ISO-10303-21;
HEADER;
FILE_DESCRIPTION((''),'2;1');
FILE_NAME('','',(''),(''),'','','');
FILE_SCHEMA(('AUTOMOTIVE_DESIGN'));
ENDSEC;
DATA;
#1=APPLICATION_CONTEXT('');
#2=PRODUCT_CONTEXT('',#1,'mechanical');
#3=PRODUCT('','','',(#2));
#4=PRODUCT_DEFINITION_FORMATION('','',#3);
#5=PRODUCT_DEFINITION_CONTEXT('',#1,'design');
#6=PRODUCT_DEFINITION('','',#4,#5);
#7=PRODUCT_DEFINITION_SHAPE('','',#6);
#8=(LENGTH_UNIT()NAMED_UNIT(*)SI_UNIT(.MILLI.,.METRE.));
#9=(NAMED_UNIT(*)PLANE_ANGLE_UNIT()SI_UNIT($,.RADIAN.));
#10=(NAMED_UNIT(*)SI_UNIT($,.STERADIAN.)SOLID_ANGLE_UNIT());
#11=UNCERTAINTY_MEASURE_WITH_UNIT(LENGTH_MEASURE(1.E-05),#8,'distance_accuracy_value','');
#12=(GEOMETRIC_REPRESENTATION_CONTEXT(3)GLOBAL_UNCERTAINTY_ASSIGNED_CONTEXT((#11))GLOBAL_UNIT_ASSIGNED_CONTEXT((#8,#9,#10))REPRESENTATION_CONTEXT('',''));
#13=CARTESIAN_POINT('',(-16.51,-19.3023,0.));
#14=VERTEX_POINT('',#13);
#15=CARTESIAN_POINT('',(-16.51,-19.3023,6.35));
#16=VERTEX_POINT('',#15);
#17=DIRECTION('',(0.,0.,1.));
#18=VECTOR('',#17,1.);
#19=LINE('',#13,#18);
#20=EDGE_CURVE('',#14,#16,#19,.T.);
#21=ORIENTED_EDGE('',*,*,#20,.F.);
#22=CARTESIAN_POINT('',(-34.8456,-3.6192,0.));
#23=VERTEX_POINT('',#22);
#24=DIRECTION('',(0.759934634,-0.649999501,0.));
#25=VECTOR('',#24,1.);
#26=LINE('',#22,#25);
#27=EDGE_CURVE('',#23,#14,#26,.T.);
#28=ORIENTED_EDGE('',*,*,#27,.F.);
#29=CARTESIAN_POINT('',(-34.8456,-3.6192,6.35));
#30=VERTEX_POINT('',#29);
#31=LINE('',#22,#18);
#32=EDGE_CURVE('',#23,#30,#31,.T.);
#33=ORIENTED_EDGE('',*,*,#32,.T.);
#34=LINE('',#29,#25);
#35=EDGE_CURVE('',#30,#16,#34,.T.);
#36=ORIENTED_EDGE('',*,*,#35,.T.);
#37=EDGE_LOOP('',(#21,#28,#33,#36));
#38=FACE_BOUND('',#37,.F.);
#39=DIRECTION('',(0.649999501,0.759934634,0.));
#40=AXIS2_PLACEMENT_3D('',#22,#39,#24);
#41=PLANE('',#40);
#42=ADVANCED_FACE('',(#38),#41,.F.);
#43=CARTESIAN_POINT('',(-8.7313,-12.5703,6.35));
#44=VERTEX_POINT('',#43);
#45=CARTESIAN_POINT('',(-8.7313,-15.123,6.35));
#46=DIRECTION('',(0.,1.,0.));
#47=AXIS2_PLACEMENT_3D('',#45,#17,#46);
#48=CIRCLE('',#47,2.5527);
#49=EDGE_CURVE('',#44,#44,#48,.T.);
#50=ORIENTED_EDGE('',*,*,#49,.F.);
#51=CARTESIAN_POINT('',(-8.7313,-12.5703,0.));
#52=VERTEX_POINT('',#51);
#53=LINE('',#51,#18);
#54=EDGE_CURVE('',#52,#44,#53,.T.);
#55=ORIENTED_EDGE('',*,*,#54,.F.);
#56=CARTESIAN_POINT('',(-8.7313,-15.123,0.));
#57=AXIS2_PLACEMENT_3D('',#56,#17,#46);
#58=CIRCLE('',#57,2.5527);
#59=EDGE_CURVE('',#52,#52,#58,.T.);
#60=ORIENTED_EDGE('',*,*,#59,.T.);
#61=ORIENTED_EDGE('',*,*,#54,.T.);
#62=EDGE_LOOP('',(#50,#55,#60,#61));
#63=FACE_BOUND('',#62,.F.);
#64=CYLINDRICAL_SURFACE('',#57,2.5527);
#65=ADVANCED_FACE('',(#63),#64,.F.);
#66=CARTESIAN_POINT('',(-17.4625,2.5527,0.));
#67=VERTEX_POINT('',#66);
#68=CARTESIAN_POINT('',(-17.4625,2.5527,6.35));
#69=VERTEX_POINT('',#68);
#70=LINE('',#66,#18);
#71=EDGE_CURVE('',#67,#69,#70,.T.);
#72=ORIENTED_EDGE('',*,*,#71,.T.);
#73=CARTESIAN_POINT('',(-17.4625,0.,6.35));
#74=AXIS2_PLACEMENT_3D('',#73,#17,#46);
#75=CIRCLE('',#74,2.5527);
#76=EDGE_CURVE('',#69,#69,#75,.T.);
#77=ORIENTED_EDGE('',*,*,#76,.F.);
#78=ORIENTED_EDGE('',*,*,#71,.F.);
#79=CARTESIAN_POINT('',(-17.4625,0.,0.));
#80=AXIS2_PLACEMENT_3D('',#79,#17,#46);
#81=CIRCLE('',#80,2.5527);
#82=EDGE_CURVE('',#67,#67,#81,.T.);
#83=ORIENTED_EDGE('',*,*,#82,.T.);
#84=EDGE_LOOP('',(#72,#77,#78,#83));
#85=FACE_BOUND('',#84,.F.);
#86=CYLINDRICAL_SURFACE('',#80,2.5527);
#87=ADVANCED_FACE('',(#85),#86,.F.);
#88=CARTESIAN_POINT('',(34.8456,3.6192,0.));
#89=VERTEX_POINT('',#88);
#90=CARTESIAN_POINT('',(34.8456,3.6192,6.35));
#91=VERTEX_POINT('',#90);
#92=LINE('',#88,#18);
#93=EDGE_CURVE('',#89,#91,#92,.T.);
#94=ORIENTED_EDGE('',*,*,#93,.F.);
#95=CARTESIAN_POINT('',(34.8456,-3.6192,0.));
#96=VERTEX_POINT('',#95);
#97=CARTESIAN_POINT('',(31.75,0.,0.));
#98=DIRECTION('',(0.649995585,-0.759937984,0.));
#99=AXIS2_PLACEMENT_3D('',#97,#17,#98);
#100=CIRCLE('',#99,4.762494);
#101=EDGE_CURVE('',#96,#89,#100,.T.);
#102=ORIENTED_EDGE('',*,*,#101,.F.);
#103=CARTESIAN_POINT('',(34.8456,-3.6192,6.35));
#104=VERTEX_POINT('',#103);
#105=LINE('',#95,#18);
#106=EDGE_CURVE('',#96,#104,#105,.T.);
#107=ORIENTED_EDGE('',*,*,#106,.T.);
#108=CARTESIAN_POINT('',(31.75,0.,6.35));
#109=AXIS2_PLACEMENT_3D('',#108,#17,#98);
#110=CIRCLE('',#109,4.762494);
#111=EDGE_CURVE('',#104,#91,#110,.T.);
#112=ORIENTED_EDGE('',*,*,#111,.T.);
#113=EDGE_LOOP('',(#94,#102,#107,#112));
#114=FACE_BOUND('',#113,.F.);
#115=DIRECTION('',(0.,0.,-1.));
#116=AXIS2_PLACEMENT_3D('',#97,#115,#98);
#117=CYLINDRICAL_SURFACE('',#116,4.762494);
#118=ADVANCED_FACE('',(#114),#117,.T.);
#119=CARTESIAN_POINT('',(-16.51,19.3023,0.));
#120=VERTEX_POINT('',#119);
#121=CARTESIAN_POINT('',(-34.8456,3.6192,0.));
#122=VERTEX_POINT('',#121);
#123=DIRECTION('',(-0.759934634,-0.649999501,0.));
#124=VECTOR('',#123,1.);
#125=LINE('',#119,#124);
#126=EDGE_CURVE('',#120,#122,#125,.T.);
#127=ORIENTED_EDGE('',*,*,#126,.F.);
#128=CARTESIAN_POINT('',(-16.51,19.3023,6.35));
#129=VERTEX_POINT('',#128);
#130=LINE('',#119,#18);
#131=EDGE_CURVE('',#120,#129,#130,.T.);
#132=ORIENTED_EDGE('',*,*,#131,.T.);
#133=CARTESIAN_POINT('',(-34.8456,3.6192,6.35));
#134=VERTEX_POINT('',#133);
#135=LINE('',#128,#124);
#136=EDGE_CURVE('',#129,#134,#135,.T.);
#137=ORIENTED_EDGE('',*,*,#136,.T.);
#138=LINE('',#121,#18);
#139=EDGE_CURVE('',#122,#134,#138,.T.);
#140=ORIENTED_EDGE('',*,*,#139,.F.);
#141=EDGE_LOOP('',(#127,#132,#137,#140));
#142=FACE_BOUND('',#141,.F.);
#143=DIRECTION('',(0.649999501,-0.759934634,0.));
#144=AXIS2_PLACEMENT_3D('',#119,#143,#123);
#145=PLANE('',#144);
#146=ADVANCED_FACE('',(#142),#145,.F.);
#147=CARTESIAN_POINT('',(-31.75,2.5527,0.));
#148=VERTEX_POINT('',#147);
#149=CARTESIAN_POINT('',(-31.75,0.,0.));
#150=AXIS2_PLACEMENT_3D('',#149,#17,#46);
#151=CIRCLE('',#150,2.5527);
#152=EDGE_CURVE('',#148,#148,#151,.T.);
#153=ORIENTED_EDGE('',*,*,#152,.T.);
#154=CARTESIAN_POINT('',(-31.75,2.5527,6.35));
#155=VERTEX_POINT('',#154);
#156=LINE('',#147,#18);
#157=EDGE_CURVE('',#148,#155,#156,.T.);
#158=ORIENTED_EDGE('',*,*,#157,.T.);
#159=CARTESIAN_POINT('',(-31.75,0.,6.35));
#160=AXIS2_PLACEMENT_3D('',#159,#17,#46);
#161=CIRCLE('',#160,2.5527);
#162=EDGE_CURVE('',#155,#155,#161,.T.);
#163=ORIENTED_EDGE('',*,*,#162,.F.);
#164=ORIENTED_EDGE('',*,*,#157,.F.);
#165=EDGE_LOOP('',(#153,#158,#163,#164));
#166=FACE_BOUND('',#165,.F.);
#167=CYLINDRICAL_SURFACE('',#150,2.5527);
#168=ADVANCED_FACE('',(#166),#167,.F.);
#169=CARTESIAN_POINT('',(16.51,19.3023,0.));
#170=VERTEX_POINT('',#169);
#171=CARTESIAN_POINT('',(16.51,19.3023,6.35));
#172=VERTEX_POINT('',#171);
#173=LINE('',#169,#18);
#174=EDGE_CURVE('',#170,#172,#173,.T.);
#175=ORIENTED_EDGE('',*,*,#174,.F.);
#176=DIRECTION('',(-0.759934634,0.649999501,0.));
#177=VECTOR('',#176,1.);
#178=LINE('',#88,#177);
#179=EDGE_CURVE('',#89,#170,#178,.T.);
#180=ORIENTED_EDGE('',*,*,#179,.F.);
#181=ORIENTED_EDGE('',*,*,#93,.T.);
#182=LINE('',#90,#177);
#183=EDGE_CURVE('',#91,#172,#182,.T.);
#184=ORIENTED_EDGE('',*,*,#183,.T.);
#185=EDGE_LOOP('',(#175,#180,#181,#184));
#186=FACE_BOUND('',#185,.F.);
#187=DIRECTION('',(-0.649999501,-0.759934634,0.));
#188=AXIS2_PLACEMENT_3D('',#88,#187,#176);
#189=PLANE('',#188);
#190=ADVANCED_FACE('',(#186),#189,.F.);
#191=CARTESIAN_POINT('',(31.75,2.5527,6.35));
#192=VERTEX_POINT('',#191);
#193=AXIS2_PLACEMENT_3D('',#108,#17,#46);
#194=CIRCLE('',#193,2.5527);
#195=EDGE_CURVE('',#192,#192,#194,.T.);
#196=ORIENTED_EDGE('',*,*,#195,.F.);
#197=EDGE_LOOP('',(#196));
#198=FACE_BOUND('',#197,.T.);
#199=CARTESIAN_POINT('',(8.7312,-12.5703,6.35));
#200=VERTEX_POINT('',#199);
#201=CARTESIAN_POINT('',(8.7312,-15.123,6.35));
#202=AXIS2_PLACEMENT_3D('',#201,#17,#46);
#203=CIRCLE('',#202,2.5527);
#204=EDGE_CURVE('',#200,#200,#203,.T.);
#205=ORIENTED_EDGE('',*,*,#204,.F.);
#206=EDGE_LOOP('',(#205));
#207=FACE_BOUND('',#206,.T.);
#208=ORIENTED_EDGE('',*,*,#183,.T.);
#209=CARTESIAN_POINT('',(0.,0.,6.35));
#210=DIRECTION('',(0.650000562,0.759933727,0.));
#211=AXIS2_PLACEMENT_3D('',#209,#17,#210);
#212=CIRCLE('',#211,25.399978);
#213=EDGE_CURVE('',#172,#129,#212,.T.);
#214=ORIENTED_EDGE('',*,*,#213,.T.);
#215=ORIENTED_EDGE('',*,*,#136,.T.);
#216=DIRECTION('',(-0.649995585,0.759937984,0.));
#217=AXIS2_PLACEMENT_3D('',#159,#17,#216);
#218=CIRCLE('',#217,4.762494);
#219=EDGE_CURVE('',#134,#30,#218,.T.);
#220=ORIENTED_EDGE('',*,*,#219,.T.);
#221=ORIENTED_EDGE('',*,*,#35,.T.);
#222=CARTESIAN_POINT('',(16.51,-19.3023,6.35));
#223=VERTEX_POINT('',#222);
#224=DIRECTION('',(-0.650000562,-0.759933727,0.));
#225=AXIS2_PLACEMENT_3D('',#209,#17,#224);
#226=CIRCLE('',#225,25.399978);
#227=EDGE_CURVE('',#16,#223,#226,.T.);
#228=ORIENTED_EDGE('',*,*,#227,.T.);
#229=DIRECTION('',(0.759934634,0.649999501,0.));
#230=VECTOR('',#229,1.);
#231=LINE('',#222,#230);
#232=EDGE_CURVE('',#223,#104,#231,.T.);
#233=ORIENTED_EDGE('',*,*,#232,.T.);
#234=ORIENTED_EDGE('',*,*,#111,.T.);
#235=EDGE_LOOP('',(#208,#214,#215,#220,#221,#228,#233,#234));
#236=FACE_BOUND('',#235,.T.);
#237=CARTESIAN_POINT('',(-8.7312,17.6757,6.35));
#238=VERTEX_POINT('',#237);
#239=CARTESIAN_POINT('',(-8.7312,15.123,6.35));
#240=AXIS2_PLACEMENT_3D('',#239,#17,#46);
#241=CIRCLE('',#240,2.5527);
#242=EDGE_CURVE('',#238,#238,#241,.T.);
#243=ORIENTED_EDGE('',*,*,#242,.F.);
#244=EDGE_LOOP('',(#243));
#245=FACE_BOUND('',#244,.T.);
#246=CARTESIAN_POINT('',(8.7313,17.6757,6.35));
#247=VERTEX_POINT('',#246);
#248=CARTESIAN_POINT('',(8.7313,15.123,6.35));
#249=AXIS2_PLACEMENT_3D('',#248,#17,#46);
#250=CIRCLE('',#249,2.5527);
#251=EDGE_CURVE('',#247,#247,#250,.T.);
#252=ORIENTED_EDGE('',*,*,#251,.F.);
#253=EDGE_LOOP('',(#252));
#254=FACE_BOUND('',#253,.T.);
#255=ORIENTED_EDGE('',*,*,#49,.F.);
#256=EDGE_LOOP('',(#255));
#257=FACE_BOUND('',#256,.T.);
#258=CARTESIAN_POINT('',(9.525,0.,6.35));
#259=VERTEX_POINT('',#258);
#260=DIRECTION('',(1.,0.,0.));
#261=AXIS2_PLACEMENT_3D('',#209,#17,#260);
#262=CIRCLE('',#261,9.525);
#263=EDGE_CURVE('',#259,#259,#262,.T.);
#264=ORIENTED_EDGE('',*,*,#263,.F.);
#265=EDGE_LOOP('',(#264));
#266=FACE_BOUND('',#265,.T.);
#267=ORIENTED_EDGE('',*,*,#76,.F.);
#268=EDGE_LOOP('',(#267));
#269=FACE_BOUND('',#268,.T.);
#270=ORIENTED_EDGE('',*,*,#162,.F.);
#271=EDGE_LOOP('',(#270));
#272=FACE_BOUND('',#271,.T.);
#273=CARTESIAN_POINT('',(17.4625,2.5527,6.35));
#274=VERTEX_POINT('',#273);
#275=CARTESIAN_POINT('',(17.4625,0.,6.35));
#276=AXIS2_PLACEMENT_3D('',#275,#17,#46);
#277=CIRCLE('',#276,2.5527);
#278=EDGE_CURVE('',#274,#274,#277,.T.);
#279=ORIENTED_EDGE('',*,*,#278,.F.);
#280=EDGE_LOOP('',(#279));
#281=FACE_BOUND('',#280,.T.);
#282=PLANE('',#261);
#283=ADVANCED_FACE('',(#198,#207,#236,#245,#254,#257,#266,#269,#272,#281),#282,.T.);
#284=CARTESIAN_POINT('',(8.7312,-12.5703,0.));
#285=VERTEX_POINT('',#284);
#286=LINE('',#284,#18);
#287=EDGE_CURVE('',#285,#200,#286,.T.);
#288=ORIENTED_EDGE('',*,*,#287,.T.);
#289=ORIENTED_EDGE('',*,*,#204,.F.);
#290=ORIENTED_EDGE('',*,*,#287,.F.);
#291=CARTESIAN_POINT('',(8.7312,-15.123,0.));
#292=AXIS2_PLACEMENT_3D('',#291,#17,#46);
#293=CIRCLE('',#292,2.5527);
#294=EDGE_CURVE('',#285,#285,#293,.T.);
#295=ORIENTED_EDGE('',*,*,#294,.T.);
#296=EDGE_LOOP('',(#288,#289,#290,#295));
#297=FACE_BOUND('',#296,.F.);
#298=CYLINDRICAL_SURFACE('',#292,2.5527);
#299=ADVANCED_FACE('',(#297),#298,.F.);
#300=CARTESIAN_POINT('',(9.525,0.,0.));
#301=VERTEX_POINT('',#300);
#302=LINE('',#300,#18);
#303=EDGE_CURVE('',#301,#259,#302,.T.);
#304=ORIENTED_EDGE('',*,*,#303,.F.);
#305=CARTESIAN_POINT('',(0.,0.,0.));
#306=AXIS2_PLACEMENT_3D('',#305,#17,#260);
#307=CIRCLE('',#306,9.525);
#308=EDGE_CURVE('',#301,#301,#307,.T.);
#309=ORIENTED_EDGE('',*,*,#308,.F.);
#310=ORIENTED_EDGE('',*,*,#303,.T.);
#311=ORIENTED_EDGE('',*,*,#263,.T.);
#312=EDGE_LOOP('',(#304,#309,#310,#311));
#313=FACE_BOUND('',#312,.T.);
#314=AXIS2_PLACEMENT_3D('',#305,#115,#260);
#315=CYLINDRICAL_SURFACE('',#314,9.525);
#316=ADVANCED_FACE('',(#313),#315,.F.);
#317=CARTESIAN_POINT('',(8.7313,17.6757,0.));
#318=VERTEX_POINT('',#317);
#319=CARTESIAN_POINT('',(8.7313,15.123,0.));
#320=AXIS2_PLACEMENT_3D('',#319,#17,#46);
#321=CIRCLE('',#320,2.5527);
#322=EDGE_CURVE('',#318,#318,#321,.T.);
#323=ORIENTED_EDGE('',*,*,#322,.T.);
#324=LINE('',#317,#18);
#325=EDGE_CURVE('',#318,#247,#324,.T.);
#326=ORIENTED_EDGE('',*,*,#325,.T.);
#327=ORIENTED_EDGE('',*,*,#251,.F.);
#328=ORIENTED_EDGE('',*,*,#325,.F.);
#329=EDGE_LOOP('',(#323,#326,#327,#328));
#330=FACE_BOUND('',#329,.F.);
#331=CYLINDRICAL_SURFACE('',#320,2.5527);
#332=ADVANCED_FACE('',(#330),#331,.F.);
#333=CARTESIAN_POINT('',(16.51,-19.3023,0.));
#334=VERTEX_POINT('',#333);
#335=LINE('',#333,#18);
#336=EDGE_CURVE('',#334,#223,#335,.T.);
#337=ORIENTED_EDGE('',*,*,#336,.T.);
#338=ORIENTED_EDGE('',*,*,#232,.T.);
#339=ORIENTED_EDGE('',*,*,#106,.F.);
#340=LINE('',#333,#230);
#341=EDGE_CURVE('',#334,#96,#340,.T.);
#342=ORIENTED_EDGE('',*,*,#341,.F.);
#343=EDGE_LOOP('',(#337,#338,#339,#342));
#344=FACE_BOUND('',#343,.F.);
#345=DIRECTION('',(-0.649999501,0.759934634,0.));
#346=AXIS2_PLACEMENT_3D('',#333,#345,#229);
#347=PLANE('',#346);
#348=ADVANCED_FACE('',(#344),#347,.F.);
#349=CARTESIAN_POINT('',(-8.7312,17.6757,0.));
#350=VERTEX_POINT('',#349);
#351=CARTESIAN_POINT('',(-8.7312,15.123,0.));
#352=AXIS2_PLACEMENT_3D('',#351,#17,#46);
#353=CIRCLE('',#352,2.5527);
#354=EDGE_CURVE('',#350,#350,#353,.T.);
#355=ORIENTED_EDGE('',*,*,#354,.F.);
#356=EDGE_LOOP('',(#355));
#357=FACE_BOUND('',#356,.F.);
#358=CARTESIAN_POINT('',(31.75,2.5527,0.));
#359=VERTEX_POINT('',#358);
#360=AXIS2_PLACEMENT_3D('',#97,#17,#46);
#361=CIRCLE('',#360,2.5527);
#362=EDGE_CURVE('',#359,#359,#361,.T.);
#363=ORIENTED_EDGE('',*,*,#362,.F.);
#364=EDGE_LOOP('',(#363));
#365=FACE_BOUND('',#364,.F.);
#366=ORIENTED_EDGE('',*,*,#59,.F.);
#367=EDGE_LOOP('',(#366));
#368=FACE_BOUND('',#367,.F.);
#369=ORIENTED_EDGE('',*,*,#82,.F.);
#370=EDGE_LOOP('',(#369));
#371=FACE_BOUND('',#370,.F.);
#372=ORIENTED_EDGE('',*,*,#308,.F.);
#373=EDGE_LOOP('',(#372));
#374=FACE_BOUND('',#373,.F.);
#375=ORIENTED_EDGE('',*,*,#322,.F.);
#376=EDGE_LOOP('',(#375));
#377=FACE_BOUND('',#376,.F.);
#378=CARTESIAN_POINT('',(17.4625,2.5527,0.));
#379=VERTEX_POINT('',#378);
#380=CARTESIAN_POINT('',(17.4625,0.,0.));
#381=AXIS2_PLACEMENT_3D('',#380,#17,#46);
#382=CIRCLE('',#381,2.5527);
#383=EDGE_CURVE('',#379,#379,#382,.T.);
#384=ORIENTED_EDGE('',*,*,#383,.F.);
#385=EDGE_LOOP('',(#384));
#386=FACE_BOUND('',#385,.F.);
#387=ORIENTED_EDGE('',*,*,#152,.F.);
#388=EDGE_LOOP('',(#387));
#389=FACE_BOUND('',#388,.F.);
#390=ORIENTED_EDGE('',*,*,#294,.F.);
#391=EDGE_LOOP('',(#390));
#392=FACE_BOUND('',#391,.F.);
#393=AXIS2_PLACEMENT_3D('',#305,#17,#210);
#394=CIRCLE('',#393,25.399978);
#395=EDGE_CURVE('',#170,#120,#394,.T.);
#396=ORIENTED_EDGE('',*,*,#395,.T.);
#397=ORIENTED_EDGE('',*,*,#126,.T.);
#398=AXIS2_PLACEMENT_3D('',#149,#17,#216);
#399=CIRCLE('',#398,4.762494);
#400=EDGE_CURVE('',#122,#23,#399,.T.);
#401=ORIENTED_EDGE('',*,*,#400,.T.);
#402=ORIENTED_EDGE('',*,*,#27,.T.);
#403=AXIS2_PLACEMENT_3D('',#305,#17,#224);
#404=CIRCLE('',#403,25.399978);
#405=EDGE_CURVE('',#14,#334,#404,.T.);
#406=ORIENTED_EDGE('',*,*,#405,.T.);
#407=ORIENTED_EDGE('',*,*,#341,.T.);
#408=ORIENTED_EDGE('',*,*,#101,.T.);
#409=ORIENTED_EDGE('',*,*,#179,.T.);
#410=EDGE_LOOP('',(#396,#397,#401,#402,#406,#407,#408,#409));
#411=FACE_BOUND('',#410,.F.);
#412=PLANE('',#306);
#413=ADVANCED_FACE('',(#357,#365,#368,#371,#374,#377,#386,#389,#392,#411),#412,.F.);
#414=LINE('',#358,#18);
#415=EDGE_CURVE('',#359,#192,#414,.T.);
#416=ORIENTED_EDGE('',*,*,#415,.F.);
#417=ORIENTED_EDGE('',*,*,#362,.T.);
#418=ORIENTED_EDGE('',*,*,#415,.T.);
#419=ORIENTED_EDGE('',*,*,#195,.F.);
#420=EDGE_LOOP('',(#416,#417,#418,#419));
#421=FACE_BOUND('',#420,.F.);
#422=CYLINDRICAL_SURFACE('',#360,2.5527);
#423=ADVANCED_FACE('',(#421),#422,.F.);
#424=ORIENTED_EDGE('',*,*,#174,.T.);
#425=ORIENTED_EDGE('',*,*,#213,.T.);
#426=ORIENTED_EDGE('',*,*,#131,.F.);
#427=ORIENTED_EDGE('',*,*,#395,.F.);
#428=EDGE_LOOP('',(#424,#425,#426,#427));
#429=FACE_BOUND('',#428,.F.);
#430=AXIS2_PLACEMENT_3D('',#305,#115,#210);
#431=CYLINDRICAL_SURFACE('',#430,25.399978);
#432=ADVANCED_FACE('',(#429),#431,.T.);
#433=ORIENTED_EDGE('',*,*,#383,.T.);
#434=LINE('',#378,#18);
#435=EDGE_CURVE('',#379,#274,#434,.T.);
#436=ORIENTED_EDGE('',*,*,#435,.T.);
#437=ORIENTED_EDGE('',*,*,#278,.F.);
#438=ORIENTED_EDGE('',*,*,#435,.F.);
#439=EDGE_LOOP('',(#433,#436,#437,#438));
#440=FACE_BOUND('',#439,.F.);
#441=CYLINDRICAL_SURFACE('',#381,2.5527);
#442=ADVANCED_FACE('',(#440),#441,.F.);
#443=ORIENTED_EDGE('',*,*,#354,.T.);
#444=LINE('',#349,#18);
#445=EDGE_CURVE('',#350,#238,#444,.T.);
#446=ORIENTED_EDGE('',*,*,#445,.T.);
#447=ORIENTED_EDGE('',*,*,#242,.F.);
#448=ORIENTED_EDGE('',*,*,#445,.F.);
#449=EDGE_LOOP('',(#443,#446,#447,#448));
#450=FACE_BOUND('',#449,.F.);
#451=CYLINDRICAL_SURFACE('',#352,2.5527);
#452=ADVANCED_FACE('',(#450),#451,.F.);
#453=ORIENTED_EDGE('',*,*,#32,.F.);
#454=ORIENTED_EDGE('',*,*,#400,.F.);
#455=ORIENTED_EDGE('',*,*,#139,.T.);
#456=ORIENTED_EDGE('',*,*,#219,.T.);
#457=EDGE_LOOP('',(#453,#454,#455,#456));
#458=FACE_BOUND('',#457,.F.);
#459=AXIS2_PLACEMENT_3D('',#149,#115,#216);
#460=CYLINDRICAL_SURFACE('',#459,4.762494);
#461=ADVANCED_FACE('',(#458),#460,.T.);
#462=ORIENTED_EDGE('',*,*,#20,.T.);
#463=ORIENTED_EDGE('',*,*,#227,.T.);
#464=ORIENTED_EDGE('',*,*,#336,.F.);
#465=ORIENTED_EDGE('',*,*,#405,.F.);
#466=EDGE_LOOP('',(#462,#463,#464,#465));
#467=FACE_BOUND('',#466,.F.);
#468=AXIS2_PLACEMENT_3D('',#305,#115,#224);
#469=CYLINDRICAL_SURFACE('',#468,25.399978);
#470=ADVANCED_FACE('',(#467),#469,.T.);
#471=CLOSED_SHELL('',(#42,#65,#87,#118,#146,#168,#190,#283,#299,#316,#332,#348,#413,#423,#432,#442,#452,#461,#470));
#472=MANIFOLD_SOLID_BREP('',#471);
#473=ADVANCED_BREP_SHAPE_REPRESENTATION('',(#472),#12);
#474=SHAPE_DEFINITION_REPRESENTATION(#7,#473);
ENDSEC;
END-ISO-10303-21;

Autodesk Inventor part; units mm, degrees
ref_plane "YZ Plane" through (0, 0, 0) normal (1, 0, 0) x (0, 1, 0)
ref_plane "XZ Plane" through (0, 0, 0) normal (0, 1, 0) x (-1, 0, 0)
ref_plane "XY Plane" through (0, 0, 0) normal (0, 0, 1) x (1, 0, 0)
sketch "Sketch1" plane through (0, 0, 0) normal (0, 0, 1) x (1, 0, 0)
  circle A0 centre (0, 0) radius 9.525
  circle A1 centre (0, 0) radius 25.4 construction
  circle A2 centre (-31.75, 0) radius 4.7625 construction
  circle A3 centre (31.75, 0) radius 4.7625 construction
  circle A4 centre (0, 0) radius 17.4625 construction
  line L0 (-16.51, 19.3023) -> (-34.8456, 3.6192)
  line L1 (-34.8456, -3.6192) -> (-16.51, -19.3023)
  line L2 (16.51, -19.3023) -> (34.8456, -3.6192)
  line L3 (34.8456, 3.6192) -> (16.51, 19.3023)
  arc A5 (-34.8456, 3.6192) -> (-34.8456, -3.6192) centre (-31.75, 0) ccw
  arc A6 (-16.51, -19.3023) -> (16.51, -19.3023) centre (0, 0) ccw
  arc A7 (34.8456, -3.6192) -> (34.8456, 3.6192) centre (31.75, 0) ccw
  arc A8 (16.51, 19.3023) -> (-16.51, 19.3023) centre (0, 0) ccw
  line L4 (-31.75, 0) -> (31.75, 0) construction
  point P0 (-17.4625, 0)
  point P1 (-8.7313, -15.123)
  point P2 (8.7312, -15.123)
  point P3 (17.4625, 0)
  point P4 (8.7313, 15.123)
  point P5 (-8.7312, 15.123)
  point P6 (-33.4211, -3.4732)
  dimension "d3" = 34.925
  dimension "d0" = 19.05
  dimension "d1" = 50.8
  dimension "d2" = 9.525
  dimension "d6" = 360
  dimension "d17" = 63.5
extrude "Extrusion1" add sketch "Sketch1" along normal blind 6.35
hole "Hole1" at (-17.4625, 0, 0) at (-8.7313, -15.123, 0) at (8.7312, -15.123, 0) at (17.4625, 0, 0) at (8.7313, 15.123, 0) at (-8.7312, 15.123, 0) at (-31.75, 0, 0) at (31.75, 0, 0) direction (0, 0, 1) diameter 5.1054 end through all clearance for "Flat Head Machine Screw (82)" size "#10" standard "Ansi Unified Screw Threads"
properties part number "GP8-003" material "Polycarbonate, Smoke"
